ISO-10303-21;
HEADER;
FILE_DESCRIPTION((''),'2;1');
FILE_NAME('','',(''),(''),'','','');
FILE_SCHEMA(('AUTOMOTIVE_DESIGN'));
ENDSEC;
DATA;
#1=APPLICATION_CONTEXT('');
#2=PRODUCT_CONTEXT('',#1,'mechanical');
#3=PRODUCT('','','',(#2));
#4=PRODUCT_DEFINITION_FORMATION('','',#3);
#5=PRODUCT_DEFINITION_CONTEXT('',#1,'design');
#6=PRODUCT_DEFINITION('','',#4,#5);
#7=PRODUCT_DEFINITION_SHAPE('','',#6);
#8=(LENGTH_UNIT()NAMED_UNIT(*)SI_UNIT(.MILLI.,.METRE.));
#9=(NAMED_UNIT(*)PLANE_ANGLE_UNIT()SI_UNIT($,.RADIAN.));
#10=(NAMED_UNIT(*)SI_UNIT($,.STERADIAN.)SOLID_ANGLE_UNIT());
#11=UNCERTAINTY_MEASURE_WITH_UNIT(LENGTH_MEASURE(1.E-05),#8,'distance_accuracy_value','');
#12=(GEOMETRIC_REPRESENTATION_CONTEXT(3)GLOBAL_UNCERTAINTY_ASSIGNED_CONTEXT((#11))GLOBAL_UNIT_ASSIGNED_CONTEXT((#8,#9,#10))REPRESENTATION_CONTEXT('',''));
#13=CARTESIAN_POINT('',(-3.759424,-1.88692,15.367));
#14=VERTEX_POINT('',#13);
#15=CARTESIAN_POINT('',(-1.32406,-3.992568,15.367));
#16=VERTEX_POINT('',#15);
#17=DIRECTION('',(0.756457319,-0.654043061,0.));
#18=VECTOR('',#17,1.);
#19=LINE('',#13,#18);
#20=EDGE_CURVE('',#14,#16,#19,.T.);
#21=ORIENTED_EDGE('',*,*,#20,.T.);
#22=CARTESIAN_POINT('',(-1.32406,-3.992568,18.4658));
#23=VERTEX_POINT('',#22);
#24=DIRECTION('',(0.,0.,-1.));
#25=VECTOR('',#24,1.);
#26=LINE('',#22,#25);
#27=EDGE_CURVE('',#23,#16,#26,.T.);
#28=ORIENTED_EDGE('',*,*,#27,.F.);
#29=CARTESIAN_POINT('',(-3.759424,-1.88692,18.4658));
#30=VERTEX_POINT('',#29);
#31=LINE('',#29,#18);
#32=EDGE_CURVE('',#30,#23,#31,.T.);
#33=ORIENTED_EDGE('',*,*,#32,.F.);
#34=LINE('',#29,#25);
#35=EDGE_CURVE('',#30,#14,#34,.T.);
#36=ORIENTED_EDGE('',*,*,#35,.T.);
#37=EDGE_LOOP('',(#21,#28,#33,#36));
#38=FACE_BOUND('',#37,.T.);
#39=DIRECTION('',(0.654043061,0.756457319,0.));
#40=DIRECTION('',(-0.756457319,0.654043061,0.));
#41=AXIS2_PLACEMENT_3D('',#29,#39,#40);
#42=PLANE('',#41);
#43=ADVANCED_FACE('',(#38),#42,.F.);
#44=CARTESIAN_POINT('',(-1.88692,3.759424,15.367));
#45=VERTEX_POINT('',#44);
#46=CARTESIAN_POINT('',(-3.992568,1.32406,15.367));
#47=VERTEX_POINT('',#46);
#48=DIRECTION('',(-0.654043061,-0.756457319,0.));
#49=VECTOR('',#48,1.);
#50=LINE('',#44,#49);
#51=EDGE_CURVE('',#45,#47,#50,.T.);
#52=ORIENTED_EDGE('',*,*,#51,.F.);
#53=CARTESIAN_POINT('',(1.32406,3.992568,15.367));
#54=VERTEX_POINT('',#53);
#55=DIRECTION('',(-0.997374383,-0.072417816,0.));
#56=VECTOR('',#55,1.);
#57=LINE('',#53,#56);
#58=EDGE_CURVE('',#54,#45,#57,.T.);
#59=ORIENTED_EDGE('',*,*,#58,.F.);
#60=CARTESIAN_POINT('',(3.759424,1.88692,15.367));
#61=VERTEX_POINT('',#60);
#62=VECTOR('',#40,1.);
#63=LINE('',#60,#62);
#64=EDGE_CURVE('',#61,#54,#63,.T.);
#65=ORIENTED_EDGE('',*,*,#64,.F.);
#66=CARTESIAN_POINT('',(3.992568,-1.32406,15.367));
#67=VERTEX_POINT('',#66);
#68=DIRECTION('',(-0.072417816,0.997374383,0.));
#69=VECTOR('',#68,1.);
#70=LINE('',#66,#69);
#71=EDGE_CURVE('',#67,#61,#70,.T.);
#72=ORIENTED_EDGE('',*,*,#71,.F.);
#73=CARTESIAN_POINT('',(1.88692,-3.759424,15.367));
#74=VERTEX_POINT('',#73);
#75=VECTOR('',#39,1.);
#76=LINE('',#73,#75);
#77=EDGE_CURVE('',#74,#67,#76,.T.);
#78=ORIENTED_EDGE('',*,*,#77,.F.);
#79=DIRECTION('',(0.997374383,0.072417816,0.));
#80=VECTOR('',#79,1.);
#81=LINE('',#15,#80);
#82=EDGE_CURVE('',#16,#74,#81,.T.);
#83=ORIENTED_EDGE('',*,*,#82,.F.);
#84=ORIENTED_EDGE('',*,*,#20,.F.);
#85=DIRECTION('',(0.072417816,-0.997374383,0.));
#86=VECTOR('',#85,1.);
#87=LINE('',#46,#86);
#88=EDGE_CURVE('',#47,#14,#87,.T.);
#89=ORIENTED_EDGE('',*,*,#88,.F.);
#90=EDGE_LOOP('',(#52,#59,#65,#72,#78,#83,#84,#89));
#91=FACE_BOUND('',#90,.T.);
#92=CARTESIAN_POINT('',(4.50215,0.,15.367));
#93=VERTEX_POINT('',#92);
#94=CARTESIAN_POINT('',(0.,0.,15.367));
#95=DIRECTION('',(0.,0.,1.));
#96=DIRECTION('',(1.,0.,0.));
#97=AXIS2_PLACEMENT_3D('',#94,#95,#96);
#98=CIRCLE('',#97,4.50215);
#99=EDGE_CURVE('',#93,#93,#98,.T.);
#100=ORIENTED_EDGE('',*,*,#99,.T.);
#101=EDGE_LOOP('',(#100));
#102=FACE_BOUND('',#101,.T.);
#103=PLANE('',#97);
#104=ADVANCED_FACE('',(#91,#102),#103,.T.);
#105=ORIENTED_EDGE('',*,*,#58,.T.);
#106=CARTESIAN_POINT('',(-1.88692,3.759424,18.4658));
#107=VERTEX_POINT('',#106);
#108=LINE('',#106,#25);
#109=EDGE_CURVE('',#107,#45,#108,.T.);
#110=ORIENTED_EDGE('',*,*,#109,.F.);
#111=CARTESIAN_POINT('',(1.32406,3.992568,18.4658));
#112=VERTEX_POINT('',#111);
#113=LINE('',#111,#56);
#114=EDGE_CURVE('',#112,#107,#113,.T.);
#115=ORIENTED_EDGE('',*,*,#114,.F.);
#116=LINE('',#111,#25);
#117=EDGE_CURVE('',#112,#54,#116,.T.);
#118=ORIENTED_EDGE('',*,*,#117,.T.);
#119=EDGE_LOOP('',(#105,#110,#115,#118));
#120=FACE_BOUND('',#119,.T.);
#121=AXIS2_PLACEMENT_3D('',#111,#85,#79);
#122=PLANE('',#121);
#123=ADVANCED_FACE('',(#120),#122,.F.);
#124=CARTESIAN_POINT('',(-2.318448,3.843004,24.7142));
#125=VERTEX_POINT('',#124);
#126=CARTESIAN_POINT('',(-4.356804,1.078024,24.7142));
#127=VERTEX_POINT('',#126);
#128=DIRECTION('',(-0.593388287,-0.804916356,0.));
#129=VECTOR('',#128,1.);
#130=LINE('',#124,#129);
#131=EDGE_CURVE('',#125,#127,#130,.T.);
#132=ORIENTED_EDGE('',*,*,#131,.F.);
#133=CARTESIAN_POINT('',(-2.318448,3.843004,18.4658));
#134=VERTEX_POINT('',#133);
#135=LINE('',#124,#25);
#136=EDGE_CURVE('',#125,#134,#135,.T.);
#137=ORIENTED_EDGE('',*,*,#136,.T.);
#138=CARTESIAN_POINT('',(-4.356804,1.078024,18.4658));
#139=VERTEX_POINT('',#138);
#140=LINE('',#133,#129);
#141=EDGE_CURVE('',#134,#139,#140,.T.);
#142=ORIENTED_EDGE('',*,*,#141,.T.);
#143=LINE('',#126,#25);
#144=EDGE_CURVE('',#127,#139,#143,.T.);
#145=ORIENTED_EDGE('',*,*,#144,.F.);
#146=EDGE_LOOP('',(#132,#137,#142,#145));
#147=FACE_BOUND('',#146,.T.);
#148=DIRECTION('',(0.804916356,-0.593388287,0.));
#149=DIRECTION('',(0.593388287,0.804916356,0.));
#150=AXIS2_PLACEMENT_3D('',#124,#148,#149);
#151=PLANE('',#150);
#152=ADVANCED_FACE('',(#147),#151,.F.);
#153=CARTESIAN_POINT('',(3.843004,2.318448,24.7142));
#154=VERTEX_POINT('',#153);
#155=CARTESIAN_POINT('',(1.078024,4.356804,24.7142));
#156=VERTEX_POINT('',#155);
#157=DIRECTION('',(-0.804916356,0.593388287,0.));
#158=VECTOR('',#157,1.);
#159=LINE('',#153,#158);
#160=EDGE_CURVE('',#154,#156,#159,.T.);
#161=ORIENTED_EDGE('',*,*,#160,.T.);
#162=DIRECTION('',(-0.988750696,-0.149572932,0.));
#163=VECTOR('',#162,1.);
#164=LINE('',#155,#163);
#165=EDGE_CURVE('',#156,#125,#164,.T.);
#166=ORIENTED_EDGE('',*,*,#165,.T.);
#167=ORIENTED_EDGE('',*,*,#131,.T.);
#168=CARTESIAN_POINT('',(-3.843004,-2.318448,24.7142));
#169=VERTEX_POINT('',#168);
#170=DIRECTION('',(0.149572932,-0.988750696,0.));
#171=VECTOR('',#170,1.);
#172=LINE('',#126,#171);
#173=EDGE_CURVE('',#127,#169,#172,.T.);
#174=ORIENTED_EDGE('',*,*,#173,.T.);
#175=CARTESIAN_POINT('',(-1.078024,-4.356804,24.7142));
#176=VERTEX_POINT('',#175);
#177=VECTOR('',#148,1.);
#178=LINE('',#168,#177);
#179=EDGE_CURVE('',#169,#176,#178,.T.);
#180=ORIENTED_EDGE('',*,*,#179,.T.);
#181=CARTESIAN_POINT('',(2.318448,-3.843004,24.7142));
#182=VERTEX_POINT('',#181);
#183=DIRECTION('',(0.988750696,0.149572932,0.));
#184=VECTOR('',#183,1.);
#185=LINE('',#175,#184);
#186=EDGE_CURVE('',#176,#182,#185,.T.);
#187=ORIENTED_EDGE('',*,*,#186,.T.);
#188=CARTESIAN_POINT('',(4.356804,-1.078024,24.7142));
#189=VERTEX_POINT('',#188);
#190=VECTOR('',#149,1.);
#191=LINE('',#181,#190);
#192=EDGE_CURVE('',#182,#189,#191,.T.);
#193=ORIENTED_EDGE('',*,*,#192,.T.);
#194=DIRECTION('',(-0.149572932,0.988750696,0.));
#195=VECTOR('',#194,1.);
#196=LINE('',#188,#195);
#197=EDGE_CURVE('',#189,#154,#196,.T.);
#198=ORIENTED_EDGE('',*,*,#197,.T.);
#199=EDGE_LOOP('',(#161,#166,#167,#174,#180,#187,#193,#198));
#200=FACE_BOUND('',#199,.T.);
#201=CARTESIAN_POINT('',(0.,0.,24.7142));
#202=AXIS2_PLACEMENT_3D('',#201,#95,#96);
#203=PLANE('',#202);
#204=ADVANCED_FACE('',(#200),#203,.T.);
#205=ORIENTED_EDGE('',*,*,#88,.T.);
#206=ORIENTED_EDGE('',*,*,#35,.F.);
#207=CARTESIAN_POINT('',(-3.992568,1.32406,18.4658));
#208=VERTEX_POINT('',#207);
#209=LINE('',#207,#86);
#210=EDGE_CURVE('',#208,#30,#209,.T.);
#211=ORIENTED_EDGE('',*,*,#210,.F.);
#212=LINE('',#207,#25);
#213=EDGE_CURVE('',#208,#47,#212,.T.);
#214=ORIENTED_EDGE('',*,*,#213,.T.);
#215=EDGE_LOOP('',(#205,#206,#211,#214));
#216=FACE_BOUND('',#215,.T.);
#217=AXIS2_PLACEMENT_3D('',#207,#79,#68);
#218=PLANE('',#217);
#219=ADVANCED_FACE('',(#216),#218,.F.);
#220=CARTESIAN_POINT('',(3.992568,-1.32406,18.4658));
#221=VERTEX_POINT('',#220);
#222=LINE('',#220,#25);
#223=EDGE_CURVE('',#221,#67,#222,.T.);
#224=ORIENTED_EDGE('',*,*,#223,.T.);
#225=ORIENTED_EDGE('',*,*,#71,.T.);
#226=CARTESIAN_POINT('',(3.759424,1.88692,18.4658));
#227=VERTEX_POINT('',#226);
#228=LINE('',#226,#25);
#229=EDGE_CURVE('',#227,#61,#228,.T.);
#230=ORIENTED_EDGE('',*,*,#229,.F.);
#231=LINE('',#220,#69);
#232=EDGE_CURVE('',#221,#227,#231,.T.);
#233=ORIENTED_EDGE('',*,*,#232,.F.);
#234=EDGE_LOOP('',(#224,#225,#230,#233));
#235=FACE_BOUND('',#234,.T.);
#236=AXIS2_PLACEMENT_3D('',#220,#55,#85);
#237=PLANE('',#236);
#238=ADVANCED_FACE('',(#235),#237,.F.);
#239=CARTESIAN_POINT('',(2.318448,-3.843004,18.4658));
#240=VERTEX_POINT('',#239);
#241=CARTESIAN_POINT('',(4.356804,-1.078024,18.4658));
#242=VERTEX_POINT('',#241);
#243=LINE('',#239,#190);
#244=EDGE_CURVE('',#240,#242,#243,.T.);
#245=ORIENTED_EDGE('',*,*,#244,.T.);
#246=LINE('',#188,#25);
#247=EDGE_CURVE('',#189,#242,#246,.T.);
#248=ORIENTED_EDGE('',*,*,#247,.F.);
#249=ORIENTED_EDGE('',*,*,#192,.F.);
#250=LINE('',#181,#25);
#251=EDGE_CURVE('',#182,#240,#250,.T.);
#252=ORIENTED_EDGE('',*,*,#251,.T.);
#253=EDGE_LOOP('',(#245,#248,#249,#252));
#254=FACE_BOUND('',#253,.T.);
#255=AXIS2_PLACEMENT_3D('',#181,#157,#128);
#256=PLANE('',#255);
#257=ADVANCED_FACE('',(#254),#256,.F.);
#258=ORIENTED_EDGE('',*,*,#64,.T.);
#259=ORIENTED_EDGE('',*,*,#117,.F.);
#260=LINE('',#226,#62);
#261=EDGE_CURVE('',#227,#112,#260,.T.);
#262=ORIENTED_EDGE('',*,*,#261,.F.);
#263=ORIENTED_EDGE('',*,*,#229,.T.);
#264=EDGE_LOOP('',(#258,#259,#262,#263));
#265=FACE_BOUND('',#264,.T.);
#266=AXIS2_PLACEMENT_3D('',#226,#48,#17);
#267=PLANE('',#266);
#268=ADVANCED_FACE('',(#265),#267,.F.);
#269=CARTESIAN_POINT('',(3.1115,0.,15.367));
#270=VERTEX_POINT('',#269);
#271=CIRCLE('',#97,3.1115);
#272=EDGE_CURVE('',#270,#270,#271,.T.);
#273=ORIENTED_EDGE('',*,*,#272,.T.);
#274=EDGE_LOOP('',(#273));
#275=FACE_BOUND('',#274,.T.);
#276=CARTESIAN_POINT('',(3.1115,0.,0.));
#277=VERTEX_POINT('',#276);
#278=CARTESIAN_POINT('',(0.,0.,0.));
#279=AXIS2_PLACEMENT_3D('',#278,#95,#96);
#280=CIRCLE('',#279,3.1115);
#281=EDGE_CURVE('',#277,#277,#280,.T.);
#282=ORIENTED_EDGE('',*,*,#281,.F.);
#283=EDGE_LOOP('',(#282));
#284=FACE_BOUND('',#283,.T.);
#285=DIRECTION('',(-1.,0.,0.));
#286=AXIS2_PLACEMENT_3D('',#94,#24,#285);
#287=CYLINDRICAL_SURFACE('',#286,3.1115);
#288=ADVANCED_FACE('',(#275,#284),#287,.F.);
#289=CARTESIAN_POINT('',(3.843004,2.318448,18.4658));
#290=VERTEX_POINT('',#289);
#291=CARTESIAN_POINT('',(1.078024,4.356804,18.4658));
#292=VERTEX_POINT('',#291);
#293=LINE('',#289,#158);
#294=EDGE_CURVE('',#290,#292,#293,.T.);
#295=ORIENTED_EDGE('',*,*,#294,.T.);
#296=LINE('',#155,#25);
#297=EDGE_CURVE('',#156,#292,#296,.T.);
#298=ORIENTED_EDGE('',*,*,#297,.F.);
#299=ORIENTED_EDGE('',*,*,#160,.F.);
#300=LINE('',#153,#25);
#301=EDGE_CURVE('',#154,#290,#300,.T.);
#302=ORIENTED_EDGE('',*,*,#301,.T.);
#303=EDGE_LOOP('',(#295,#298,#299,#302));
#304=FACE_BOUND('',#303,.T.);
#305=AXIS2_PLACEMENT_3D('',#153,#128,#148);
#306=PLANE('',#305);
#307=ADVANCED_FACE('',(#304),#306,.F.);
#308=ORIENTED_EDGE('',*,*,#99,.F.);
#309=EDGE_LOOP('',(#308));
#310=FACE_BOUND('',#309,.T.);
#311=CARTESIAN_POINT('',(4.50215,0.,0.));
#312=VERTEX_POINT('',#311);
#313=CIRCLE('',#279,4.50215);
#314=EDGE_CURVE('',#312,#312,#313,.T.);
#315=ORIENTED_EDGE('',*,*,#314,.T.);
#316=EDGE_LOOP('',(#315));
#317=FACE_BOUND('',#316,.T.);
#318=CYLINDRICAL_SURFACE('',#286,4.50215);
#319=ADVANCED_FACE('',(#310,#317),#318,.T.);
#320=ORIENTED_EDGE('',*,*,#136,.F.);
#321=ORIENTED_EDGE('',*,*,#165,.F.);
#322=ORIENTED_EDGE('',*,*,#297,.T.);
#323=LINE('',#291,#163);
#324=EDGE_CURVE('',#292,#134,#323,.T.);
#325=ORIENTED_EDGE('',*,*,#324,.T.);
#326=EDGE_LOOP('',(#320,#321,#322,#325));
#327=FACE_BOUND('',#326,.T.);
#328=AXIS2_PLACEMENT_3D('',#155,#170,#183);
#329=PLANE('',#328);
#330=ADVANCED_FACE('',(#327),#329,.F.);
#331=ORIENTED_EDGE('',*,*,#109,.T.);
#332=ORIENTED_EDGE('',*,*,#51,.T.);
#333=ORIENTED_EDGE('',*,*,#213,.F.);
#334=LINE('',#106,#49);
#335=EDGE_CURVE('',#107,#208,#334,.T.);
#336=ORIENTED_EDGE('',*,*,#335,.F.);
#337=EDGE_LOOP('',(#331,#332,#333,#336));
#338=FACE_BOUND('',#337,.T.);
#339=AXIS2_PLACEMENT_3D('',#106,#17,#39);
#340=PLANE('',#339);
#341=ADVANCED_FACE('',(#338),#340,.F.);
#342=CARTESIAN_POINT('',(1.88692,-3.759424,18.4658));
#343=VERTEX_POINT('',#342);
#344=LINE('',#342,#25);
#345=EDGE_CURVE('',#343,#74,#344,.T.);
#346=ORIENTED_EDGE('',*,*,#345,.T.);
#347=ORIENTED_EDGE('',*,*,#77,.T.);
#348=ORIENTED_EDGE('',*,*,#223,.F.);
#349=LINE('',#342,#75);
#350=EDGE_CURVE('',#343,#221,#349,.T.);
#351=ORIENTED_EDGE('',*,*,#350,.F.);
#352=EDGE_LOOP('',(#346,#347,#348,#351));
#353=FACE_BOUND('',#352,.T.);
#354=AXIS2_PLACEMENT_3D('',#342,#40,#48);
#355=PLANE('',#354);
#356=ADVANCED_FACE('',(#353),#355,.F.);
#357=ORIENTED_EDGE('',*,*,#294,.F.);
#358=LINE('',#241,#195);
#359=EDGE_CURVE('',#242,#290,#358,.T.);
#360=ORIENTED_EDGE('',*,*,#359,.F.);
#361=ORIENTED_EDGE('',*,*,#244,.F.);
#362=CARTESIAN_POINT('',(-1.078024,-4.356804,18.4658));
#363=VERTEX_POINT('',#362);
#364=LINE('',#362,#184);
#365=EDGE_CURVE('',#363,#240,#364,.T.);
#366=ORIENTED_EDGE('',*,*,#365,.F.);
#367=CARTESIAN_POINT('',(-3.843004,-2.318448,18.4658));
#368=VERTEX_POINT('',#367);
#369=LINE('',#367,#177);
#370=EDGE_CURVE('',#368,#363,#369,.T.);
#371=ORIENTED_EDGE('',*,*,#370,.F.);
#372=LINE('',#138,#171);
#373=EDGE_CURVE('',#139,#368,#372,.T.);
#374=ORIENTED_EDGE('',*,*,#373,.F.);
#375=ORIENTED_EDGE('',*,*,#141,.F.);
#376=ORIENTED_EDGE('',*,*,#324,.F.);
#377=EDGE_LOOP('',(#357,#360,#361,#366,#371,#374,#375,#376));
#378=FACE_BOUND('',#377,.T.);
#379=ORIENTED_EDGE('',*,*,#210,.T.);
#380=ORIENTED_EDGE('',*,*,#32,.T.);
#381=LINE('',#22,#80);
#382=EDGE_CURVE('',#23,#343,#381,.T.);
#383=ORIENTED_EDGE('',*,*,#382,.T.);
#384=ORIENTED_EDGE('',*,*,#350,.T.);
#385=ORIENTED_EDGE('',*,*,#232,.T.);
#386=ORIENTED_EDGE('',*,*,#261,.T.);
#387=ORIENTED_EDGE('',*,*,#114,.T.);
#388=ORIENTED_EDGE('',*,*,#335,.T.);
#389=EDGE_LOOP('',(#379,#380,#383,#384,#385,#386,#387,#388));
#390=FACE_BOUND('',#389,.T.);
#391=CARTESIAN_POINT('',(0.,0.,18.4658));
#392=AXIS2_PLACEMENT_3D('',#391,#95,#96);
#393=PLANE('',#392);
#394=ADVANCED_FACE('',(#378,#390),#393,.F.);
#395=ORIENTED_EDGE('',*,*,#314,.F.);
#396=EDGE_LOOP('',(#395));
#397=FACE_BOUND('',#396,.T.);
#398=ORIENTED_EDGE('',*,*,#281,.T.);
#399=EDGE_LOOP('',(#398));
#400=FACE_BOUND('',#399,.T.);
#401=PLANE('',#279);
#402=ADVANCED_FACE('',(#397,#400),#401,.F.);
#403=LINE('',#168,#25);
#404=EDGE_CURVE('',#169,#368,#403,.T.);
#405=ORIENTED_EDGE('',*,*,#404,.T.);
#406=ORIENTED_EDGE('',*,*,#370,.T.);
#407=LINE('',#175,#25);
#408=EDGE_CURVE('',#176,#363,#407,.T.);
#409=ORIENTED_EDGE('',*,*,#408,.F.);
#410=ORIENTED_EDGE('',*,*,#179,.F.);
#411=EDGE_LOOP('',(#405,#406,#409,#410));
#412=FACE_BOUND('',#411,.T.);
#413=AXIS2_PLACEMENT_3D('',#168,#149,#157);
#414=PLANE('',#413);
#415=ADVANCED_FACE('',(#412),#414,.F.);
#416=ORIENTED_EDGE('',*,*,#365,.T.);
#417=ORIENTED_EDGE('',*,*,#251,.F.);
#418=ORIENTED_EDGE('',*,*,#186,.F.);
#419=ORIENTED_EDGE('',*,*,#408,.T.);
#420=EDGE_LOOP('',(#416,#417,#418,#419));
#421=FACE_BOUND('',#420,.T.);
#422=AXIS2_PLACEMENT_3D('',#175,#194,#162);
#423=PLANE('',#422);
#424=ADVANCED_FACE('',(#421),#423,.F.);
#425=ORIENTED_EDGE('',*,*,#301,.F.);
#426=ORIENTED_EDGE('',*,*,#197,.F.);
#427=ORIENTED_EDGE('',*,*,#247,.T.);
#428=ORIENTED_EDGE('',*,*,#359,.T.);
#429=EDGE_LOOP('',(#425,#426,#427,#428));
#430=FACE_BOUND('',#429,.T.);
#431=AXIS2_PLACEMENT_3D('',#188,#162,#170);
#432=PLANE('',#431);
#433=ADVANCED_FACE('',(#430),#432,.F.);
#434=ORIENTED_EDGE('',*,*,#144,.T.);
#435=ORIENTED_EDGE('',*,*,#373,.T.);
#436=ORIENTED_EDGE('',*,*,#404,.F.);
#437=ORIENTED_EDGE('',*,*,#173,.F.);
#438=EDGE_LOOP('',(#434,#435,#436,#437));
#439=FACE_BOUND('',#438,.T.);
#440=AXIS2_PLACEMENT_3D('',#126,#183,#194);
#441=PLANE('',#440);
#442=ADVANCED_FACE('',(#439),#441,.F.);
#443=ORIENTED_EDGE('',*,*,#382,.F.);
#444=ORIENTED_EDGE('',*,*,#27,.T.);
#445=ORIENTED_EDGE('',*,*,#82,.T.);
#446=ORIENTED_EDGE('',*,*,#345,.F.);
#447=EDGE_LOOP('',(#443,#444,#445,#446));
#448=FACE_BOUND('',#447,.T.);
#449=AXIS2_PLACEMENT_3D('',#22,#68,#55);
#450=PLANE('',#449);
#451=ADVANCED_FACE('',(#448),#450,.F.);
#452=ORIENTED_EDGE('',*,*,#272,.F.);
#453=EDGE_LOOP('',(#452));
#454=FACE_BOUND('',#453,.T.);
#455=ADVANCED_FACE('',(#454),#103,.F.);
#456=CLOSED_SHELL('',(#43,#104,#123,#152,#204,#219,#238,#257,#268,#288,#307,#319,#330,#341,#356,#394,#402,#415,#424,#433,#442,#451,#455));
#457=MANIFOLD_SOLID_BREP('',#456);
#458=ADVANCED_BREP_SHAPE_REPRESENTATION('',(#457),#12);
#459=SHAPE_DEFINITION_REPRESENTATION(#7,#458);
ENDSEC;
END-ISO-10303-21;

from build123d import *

# Parameters (mm, degrees)
SKETCH1_R           = 4.50215
SKETCH1_R_2         = 3.1115
BOSS_EXTRUDE2_DEPTH = 15.367
BOSS_EXTRUDE3_DEPTH = 3.0988
BOSS_EXTRUDE4_DEPTH = 6.2484


with BuildPart() as part:
    # Sketch1 → Boss-Extrude2 (new body)
    with BuildSketch(Plane.XY):
        Circle(SKETCH1_R)
        Circle(SKETCH1_R_2, mode=Mode.SUBTRACT)
    extrude(amount=BOSS_EXTRUDE2_DEPTH)

    # Sketch2 → Boss-Extrude3 (add)
    with BuildSketch(Plane.XY.offset(15.367)):
        Polygon((3.759424156, 1.886920364), (1.324060129, 3.992568499), (-1.886920364, 3.759424156), (-3.992568499, 1.324060129), (-3.759424156, -1.886920364), (-1.324060129, -3.992568499), (1.886920364, -3.759424156), (3.992568499, -1.324060129), align=None)
    extrude(amount=BOSS_EXTRUDE3_DEPTH)

    # Sketch3 → Boss-Extrude4 (add)
    with BuildSketch(Plane.XY.offset(18.4658)):
        Polygon((-2.318447564, 3.843004124), (-4.35680427, 1.078024282), (-3.843004124, -2.318447564), (-1.078024282, -4.35680427), (2.318447564, -3.843004124), (4.35680427, -1.078024282), (3.843004124, 2.318447564), (1.078024282, 4.35680427), align=None)
    extrude(amount=BOSS_EXTRUDE4_DEPTH)


solid = part.part
